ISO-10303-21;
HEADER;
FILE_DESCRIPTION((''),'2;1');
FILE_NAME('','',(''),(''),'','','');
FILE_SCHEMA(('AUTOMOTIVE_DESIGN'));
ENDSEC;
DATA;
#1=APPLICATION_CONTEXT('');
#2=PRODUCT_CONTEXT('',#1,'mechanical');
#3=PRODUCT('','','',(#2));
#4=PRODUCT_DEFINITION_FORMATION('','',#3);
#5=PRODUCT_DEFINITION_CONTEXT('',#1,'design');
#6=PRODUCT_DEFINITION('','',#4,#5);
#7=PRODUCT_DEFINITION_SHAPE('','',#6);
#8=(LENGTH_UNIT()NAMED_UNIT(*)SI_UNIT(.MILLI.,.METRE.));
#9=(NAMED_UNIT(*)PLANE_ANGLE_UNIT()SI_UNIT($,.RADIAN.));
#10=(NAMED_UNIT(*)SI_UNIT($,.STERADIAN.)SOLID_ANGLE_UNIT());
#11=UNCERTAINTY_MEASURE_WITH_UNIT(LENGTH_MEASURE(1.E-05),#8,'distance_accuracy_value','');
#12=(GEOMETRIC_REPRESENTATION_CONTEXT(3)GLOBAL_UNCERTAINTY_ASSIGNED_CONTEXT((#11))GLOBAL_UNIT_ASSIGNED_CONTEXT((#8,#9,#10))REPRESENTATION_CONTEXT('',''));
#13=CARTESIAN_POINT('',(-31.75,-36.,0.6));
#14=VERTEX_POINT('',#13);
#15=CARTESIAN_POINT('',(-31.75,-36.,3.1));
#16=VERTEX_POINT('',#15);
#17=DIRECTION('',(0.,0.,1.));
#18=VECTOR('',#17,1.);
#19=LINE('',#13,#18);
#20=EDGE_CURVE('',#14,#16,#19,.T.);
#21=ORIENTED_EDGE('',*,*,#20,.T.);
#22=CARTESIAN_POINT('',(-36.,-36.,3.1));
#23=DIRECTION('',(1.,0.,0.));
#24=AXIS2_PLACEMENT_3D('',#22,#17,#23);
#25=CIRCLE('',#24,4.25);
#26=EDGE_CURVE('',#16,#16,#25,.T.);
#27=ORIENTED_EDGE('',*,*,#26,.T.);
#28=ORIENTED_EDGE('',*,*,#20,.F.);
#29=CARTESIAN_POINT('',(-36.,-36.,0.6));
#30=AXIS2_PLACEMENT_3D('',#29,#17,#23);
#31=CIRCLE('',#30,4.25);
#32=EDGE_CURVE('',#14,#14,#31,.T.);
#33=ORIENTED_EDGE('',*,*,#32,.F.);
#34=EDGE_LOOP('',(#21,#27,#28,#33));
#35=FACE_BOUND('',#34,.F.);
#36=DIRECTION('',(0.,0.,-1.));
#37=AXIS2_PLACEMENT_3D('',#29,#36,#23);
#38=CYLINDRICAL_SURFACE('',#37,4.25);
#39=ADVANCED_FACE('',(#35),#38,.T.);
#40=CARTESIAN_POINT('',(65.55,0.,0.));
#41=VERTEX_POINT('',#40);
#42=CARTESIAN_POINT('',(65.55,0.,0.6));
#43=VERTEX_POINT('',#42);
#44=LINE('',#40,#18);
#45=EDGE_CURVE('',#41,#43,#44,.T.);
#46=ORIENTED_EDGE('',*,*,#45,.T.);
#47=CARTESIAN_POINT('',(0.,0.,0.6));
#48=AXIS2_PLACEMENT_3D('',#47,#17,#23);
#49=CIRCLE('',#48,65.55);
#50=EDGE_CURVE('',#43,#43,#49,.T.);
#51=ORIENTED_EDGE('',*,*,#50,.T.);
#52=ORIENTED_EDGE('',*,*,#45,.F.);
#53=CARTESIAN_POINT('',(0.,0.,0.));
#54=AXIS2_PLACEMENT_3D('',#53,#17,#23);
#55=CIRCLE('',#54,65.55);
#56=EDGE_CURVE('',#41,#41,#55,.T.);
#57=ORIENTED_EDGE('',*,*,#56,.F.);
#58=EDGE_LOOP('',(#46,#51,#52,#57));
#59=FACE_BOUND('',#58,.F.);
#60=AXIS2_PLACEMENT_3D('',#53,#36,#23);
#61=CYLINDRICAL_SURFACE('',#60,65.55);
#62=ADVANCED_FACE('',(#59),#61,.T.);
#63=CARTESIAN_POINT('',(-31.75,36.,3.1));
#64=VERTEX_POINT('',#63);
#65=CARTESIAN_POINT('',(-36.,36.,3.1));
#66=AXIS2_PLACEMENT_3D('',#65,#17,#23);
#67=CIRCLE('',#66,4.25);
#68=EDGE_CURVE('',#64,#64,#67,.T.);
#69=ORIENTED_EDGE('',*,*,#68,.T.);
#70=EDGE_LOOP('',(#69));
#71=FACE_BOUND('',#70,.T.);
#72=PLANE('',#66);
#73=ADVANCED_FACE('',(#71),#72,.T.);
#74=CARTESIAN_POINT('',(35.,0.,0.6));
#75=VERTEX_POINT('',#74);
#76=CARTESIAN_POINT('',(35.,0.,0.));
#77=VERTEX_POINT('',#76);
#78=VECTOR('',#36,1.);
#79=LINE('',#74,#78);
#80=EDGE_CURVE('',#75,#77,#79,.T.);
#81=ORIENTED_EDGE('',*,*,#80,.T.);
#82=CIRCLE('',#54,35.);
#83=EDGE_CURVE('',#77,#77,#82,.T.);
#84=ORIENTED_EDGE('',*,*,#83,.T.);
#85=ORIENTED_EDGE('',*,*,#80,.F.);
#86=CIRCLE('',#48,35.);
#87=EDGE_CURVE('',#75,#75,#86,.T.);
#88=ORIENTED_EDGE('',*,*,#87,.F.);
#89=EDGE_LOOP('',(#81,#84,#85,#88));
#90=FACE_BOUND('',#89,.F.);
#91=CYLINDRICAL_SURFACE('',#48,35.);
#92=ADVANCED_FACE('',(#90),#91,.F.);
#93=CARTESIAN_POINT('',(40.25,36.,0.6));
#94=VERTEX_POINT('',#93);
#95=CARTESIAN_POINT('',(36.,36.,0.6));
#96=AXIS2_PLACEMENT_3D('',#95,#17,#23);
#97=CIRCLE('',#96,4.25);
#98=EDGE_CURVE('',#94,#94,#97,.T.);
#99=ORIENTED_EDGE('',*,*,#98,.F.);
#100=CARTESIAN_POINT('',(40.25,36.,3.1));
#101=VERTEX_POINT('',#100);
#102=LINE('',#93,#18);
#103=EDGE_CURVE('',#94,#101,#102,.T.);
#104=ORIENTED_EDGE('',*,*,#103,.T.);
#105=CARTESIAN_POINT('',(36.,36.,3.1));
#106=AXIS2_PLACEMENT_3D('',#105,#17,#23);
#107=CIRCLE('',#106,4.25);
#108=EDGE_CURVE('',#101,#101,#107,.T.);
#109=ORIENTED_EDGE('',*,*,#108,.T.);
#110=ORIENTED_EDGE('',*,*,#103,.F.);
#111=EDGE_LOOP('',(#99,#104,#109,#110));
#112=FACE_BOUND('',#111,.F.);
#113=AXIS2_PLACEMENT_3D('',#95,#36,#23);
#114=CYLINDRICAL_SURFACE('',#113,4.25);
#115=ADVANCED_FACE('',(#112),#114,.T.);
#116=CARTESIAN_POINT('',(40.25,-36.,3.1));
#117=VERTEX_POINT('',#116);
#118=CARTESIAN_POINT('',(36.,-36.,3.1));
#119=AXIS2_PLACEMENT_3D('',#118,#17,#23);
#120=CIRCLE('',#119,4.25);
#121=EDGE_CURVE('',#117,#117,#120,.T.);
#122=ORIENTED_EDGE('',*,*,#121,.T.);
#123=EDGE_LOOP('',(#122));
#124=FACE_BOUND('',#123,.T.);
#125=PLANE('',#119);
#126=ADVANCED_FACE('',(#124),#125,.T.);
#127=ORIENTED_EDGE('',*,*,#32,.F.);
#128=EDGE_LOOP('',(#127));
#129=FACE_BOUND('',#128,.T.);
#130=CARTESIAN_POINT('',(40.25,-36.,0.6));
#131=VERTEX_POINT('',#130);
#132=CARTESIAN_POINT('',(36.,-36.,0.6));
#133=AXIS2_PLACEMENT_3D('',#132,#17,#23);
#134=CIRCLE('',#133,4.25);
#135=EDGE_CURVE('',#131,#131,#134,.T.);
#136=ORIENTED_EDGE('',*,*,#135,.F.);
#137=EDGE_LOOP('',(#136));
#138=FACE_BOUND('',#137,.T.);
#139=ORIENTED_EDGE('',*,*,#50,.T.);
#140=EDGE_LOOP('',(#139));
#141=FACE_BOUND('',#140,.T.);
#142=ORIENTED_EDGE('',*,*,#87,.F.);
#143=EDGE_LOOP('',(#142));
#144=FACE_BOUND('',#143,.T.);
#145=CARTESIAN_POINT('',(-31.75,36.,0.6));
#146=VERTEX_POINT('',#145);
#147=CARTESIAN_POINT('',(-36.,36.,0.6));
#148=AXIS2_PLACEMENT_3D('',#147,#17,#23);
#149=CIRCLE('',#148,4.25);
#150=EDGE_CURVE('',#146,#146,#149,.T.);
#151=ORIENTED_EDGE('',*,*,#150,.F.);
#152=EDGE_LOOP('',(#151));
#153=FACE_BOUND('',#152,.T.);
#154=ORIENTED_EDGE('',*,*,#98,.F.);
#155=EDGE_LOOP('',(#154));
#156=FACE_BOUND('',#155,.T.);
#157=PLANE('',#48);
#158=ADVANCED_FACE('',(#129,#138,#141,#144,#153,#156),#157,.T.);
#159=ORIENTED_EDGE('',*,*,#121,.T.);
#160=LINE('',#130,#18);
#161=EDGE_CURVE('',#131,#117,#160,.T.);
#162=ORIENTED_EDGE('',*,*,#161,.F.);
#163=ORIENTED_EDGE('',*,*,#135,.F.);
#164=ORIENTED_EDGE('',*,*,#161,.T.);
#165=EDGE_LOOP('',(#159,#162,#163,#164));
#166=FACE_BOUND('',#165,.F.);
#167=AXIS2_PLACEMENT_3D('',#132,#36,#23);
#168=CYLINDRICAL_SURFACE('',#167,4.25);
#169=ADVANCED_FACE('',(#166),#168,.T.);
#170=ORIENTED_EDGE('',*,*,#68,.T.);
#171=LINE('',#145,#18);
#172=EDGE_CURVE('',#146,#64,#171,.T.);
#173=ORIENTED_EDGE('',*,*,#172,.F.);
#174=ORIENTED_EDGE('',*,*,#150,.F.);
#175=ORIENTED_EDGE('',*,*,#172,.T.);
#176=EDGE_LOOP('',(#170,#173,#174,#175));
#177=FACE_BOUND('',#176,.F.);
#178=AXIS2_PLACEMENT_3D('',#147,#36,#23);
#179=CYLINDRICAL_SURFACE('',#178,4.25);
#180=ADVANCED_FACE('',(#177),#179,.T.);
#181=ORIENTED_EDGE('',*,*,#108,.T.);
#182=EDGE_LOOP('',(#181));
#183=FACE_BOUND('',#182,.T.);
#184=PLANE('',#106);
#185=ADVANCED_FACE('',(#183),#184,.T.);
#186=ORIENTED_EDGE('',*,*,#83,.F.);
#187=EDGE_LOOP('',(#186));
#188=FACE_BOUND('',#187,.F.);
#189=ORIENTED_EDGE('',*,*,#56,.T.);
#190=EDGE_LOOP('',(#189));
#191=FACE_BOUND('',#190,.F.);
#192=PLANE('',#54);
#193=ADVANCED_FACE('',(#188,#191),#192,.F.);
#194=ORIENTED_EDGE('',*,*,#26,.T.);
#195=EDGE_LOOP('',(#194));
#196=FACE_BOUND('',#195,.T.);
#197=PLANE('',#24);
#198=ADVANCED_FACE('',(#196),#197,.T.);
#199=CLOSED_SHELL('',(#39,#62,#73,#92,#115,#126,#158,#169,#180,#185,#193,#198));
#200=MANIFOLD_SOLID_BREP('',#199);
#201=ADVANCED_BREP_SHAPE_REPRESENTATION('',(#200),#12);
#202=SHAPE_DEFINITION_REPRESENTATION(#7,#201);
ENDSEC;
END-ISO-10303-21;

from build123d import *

# Parameters (mm, degrees)
F0_R     = 65.55
F1_DEPTH = 0.6
F2_R     = 4.25
F3_DEPTH = 2.5
F4_R     = 35
F5_DEPTH = 0.601


with BuildPart() as f1:
    # F0 (on Top) → F1 (new body)
    with BuildSketch(Plane.XY):
        Circle(F0_R)
    extrude(amount=F1_DEPTH)

    # F2 (on face) → F3 (join)
    with BuildSketch(Plane.XY.offset(0.6)):
        with Locations((-36, 36)):
            Circle(F2_R)
        with Locations((36, 36)):
            Circle(F2_R)
        with Locations((36, -36)):
            Circle(F2_R)
        with Locations((-36, -36)):
            Circle(F2_R)
    extrude(amount=F3_DEPTH)

    # F4 (on face) → F5 (cut, through all)
    with BuildSketch(Plane.XY.offset(0.6)):
        Circle(F4_R)
    extrude(amount=-F5_DEPTH, mode=Mode.SUBTRACT)


solid = f1.part
